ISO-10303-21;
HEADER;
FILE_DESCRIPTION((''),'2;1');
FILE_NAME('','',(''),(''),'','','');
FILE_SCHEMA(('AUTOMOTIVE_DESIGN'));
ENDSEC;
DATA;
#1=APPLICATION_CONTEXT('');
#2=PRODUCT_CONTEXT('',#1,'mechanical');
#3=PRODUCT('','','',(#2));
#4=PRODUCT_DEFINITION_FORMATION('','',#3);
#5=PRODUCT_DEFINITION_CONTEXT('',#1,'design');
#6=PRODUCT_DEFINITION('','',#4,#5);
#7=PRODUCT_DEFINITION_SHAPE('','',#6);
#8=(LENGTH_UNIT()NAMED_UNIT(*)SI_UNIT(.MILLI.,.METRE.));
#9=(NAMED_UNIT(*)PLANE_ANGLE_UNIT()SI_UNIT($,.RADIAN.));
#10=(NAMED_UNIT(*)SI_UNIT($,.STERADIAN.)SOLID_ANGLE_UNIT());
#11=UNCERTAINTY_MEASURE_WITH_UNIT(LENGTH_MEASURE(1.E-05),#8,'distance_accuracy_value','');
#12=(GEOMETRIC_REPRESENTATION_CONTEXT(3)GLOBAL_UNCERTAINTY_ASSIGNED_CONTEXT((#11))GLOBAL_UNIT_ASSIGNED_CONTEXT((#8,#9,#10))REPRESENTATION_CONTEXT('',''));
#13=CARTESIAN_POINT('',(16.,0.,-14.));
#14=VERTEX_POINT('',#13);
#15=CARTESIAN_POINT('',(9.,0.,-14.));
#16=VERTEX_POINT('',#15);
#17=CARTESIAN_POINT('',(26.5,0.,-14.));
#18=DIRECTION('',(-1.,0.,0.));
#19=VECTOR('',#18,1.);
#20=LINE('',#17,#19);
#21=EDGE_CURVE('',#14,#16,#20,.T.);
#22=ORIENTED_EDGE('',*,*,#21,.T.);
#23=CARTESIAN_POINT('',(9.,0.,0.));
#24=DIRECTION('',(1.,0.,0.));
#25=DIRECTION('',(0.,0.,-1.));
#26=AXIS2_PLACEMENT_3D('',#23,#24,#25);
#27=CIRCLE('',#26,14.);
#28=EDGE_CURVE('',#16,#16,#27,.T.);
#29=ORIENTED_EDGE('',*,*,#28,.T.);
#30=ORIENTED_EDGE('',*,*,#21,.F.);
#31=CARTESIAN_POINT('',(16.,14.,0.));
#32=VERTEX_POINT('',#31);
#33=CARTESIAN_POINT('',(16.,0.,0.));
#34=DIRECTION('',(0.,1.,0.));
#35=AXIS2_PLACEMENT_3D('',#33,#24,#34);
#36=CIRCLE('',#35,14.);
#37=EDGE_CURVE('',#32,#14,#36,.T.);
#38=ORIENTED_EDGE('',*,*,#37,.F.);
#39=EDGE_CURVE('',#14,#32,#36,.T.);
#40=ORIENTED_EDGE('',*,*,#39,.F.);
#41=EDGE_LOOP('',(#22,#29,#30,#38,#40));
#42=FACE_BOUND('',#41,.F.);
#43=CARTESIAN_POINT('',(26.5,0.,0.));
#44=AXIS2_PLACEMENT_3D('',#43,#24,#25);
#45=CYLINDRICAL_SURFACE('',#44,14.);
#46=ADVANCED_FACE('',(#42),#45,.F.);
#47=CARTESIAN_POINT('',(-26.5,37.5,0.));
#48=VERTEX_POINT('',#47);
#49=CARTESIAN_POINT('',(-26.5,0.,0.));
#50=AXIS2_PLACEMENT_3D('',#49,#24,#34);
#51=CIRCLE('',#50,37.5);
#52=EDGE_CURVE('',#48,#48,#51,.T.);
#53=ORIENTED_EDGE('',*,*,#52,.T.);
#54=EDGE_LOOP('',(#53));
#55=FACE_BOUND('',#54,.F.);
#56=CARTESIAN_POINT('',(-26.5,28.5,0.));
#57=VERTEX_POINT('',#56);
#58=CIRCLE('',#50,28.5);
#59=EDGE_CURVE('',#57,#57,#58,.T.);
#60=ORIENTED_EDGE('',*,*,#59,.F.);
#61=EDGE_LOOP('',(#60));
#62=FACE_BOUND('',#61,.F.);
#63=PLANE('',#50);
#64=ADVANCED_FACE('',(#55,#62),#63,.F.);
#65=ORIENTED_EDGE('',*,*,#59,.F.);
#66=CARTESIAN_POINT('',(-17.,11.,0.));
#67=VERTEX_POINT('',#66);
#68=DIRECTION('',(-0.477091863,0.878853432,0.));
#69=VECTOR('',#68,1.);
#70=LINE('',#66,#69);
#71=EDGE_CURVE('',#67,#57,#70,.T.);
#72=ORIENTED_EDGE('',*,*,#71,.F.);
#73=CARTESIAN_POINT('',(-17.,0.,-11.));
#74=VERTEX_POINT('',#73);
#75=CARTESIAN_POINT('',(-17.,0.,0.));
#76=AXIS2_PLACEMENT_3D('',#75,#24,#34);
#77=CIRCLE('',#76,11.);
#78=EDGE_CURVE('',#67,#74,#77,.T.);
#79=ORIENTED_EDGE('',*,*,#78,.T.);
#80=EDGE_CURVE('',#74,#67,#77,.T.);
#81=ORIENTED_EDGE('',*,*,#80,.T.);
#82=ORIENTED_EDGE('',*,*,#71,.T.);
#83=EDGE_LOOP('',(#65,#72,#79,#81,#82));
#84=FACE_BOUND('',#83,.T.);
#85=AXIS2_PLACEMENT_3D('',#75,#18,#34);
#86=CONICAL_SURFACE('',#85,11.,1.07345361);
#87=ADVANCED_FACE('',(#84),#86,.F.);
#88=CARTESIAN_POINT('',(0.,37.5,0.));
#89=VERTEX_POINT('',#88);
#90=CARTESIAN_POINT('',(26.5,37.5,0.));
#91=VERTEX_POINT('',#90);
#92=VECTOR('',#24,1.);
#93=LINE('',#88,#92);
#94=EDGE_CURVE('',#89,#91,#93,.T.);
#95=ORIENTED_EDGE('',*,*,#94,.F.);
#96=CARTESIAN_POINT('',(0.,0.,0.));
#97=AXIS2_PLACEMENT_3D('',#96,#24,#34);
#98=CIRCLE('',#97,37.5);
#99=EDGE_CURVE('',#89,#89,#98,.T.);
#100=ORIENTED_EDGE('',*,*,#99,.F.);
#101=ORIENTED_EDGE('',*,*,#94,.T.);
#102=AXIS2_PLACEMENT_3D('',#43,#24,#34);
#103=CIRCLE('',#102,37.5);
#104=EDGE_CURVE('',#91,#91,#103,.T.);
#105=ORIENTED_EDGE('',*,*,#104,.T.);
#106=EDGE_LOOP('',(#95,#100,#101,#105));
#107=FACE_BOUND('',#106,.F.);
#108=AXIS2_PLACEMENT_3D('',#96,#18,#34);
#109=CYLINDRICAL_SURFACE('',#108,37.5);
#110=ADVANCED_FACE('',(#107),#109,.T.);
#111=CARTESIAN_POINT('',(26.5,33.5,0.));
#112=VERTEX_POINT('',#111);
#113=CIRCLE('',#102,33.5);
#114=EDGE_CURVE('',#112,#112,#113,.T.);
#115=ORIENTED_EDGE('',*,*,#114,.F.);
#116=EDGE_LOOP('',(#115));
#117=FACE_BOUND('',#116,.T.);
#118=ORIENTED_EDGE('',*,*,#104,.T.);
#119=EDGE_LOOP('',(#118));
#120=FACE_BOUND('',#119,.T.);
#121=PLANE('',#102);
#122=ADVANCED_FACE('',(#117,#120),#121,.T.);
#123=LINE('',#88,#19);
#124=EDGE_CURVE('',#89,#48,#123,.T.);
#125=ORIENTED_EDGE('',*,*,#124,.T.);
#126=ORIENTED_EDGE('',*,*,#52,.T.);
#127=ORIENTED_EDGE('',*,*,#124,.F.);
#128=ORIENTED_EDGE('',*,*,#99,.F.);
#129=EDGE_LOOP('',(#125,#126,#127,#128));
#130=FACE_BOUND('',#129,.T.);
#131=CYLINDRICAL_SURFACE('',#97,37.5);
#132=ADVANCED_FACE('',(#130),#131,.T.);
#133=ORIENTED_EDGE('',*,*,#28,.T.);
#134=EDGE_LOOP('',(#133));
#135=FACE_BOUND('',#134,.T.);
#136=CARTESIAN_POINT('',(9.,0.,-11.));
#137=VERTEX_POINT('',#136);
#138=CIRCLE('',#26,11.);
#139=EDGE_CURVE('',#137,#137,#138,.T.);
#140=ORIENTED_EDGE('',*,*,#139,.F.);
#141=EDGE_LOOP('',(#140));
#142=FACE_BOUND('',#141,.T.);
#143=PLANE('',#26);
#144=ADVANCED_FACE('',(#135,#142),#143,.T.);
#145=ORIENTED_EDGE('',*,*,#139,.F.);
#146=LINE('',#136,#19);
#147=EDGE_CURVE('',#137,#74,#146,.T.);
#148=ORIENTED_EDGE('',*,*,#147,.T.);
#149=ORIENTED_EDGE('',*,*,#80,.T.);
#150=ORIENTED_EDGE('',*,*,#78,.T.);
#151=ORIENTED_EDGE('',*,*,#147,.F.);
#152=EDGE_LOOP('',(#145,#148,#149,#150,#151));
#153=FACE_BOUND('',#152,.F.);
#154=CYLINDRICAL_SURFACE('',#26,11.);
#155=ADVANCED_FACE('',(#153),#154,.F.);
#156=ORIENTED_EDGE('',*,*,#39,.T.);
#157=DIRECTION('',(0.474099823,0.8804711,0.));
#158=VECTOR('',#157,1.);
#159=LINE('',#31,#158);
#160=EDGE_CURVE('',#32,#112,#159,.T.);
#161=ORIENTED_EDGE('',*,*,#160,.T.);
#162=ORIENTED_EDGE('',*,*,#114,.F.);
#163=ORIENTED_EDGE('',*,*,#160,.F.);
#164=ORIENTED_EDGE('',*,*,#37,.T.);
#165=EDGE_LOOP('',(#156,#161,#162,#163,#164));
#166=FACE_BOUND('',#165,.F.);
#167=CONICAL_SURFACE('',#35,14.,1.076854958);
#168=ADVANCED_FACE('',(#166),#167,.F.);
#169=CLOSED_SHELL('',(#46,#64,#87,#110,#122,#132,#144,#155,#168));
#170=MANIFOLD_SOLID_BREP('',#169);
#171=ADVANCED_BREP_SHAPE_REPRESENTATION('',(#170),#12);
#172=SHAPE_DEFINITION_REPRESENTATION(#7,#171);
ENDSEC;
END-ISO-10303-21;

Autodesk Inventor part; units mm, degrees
ref_plane "YZ Plane" through (0, 0, 0) normal (1, 0, 0) x (0, 1, 0)
ref_plane "XZ Plane" through (0, 0, 0) normal (0, 1, 0) x (-1, 0, 0)
ref_plane "XY Plane" through (0, 0, 0) normal (0, 0, 1) x (1, 0, 0)
sketch "Sketch1" plane through (0, 0, 0) normal (1, 0, 0) x (0, 1, 0)
  circle A0 centre (0, 0) radius 37.5
  dimension "d0" = 75
extrude "Extrusion1" add sketch "Sketch1" along normal mid plane 53
sketch "Sketch2" plane through (26.5, 0, 0) normal (1, 0, 0) x (0, 0, -1)
  circle A0 centre (0, 0) radius 14
  dimension "d3" = 28
extrude "Extrusion2" cut sketch "Sketch2" against normal blind 17.5
ref_plane "Work Plane1" through (16, 0, 0) normal (1, 0, 0) x (0, 0, -1)
sketch "Sketch3" plane through (0, 0, 0) normal (0, 0, 1) x (1, 0, 0)
  line L0 (-26.5, 37.5) -> (26.5, 37.5) projected
  line L1 (26.5, -37.5) -> (26.5, 37.5) projected
  line L2 (16, 52.5) -> (16, -52.5) projected
  line L3 (26.5, 33.5) -> (-26.5, 33.5)
  line L4 (-26.5, 37.5) -> (-26.5, -37.5) projected
  line L5 (26.5, 14) -> (9, 14) projected
  line L6 (16, 14) -> (26.5, 33.5)
  line L7 (-37.1, 0) -> (37.1, 0) projected
  point P0 (0, 0)
  dimension "d7" = 4
revolve "Revolution1" cut sketch "Sketch3" angle 360 about axis through (-10, 0, 0) along (1, 0, 0) contours L1 L5 L6
sketch "Sketch4" plane through (9, 0, 0) normal (1, 0, 0) x (0, 0, -1)
  circle A0 centre (0, 0) radius 11
  dimension "d9" = 22
extrude "Extrusion3" cut sketch "Sketch4" against normal through all
sketch "Sketch5" plane through (-26.5, 0, 0) normal (-1, 0, 0) x (0, 0, 1)
  circle A0 centre (0, 0) radius 28.5
  circle A1 centre (0, 0) radius 37.5 projected
  dimension "d13" = 9
ref_plane "Work Plane2" through (-17, 0, 0) normal (1, 0, 0) x (0, 0, -1)
sketch "Sketch6" plane through (0, 0, 0) normal (0, 0, 1) x (1, 0, 0)
  line L0 (-26.5, 28.5) -> (-26.5, -28.5) projected
  line L1 (9, 11) -> (-26.5, 11) projected
  line L2 (-17, 52.5) -> (-17, -52.5) projected
  line L3 (-17, 11) -> (-26.5, 28.5)
  line L4 (-37.1, 0) -> (37.1, 0) projected
  point P0 (0, 0)
revolve "Revolution2" cut sketch "Sketch6" angle 360 about axis through (-10, 0, 0) along (1, 0, 0) contours L3 L1 L0
properties part number "LongboardWheel_RI" material "Nylon 6/6"
